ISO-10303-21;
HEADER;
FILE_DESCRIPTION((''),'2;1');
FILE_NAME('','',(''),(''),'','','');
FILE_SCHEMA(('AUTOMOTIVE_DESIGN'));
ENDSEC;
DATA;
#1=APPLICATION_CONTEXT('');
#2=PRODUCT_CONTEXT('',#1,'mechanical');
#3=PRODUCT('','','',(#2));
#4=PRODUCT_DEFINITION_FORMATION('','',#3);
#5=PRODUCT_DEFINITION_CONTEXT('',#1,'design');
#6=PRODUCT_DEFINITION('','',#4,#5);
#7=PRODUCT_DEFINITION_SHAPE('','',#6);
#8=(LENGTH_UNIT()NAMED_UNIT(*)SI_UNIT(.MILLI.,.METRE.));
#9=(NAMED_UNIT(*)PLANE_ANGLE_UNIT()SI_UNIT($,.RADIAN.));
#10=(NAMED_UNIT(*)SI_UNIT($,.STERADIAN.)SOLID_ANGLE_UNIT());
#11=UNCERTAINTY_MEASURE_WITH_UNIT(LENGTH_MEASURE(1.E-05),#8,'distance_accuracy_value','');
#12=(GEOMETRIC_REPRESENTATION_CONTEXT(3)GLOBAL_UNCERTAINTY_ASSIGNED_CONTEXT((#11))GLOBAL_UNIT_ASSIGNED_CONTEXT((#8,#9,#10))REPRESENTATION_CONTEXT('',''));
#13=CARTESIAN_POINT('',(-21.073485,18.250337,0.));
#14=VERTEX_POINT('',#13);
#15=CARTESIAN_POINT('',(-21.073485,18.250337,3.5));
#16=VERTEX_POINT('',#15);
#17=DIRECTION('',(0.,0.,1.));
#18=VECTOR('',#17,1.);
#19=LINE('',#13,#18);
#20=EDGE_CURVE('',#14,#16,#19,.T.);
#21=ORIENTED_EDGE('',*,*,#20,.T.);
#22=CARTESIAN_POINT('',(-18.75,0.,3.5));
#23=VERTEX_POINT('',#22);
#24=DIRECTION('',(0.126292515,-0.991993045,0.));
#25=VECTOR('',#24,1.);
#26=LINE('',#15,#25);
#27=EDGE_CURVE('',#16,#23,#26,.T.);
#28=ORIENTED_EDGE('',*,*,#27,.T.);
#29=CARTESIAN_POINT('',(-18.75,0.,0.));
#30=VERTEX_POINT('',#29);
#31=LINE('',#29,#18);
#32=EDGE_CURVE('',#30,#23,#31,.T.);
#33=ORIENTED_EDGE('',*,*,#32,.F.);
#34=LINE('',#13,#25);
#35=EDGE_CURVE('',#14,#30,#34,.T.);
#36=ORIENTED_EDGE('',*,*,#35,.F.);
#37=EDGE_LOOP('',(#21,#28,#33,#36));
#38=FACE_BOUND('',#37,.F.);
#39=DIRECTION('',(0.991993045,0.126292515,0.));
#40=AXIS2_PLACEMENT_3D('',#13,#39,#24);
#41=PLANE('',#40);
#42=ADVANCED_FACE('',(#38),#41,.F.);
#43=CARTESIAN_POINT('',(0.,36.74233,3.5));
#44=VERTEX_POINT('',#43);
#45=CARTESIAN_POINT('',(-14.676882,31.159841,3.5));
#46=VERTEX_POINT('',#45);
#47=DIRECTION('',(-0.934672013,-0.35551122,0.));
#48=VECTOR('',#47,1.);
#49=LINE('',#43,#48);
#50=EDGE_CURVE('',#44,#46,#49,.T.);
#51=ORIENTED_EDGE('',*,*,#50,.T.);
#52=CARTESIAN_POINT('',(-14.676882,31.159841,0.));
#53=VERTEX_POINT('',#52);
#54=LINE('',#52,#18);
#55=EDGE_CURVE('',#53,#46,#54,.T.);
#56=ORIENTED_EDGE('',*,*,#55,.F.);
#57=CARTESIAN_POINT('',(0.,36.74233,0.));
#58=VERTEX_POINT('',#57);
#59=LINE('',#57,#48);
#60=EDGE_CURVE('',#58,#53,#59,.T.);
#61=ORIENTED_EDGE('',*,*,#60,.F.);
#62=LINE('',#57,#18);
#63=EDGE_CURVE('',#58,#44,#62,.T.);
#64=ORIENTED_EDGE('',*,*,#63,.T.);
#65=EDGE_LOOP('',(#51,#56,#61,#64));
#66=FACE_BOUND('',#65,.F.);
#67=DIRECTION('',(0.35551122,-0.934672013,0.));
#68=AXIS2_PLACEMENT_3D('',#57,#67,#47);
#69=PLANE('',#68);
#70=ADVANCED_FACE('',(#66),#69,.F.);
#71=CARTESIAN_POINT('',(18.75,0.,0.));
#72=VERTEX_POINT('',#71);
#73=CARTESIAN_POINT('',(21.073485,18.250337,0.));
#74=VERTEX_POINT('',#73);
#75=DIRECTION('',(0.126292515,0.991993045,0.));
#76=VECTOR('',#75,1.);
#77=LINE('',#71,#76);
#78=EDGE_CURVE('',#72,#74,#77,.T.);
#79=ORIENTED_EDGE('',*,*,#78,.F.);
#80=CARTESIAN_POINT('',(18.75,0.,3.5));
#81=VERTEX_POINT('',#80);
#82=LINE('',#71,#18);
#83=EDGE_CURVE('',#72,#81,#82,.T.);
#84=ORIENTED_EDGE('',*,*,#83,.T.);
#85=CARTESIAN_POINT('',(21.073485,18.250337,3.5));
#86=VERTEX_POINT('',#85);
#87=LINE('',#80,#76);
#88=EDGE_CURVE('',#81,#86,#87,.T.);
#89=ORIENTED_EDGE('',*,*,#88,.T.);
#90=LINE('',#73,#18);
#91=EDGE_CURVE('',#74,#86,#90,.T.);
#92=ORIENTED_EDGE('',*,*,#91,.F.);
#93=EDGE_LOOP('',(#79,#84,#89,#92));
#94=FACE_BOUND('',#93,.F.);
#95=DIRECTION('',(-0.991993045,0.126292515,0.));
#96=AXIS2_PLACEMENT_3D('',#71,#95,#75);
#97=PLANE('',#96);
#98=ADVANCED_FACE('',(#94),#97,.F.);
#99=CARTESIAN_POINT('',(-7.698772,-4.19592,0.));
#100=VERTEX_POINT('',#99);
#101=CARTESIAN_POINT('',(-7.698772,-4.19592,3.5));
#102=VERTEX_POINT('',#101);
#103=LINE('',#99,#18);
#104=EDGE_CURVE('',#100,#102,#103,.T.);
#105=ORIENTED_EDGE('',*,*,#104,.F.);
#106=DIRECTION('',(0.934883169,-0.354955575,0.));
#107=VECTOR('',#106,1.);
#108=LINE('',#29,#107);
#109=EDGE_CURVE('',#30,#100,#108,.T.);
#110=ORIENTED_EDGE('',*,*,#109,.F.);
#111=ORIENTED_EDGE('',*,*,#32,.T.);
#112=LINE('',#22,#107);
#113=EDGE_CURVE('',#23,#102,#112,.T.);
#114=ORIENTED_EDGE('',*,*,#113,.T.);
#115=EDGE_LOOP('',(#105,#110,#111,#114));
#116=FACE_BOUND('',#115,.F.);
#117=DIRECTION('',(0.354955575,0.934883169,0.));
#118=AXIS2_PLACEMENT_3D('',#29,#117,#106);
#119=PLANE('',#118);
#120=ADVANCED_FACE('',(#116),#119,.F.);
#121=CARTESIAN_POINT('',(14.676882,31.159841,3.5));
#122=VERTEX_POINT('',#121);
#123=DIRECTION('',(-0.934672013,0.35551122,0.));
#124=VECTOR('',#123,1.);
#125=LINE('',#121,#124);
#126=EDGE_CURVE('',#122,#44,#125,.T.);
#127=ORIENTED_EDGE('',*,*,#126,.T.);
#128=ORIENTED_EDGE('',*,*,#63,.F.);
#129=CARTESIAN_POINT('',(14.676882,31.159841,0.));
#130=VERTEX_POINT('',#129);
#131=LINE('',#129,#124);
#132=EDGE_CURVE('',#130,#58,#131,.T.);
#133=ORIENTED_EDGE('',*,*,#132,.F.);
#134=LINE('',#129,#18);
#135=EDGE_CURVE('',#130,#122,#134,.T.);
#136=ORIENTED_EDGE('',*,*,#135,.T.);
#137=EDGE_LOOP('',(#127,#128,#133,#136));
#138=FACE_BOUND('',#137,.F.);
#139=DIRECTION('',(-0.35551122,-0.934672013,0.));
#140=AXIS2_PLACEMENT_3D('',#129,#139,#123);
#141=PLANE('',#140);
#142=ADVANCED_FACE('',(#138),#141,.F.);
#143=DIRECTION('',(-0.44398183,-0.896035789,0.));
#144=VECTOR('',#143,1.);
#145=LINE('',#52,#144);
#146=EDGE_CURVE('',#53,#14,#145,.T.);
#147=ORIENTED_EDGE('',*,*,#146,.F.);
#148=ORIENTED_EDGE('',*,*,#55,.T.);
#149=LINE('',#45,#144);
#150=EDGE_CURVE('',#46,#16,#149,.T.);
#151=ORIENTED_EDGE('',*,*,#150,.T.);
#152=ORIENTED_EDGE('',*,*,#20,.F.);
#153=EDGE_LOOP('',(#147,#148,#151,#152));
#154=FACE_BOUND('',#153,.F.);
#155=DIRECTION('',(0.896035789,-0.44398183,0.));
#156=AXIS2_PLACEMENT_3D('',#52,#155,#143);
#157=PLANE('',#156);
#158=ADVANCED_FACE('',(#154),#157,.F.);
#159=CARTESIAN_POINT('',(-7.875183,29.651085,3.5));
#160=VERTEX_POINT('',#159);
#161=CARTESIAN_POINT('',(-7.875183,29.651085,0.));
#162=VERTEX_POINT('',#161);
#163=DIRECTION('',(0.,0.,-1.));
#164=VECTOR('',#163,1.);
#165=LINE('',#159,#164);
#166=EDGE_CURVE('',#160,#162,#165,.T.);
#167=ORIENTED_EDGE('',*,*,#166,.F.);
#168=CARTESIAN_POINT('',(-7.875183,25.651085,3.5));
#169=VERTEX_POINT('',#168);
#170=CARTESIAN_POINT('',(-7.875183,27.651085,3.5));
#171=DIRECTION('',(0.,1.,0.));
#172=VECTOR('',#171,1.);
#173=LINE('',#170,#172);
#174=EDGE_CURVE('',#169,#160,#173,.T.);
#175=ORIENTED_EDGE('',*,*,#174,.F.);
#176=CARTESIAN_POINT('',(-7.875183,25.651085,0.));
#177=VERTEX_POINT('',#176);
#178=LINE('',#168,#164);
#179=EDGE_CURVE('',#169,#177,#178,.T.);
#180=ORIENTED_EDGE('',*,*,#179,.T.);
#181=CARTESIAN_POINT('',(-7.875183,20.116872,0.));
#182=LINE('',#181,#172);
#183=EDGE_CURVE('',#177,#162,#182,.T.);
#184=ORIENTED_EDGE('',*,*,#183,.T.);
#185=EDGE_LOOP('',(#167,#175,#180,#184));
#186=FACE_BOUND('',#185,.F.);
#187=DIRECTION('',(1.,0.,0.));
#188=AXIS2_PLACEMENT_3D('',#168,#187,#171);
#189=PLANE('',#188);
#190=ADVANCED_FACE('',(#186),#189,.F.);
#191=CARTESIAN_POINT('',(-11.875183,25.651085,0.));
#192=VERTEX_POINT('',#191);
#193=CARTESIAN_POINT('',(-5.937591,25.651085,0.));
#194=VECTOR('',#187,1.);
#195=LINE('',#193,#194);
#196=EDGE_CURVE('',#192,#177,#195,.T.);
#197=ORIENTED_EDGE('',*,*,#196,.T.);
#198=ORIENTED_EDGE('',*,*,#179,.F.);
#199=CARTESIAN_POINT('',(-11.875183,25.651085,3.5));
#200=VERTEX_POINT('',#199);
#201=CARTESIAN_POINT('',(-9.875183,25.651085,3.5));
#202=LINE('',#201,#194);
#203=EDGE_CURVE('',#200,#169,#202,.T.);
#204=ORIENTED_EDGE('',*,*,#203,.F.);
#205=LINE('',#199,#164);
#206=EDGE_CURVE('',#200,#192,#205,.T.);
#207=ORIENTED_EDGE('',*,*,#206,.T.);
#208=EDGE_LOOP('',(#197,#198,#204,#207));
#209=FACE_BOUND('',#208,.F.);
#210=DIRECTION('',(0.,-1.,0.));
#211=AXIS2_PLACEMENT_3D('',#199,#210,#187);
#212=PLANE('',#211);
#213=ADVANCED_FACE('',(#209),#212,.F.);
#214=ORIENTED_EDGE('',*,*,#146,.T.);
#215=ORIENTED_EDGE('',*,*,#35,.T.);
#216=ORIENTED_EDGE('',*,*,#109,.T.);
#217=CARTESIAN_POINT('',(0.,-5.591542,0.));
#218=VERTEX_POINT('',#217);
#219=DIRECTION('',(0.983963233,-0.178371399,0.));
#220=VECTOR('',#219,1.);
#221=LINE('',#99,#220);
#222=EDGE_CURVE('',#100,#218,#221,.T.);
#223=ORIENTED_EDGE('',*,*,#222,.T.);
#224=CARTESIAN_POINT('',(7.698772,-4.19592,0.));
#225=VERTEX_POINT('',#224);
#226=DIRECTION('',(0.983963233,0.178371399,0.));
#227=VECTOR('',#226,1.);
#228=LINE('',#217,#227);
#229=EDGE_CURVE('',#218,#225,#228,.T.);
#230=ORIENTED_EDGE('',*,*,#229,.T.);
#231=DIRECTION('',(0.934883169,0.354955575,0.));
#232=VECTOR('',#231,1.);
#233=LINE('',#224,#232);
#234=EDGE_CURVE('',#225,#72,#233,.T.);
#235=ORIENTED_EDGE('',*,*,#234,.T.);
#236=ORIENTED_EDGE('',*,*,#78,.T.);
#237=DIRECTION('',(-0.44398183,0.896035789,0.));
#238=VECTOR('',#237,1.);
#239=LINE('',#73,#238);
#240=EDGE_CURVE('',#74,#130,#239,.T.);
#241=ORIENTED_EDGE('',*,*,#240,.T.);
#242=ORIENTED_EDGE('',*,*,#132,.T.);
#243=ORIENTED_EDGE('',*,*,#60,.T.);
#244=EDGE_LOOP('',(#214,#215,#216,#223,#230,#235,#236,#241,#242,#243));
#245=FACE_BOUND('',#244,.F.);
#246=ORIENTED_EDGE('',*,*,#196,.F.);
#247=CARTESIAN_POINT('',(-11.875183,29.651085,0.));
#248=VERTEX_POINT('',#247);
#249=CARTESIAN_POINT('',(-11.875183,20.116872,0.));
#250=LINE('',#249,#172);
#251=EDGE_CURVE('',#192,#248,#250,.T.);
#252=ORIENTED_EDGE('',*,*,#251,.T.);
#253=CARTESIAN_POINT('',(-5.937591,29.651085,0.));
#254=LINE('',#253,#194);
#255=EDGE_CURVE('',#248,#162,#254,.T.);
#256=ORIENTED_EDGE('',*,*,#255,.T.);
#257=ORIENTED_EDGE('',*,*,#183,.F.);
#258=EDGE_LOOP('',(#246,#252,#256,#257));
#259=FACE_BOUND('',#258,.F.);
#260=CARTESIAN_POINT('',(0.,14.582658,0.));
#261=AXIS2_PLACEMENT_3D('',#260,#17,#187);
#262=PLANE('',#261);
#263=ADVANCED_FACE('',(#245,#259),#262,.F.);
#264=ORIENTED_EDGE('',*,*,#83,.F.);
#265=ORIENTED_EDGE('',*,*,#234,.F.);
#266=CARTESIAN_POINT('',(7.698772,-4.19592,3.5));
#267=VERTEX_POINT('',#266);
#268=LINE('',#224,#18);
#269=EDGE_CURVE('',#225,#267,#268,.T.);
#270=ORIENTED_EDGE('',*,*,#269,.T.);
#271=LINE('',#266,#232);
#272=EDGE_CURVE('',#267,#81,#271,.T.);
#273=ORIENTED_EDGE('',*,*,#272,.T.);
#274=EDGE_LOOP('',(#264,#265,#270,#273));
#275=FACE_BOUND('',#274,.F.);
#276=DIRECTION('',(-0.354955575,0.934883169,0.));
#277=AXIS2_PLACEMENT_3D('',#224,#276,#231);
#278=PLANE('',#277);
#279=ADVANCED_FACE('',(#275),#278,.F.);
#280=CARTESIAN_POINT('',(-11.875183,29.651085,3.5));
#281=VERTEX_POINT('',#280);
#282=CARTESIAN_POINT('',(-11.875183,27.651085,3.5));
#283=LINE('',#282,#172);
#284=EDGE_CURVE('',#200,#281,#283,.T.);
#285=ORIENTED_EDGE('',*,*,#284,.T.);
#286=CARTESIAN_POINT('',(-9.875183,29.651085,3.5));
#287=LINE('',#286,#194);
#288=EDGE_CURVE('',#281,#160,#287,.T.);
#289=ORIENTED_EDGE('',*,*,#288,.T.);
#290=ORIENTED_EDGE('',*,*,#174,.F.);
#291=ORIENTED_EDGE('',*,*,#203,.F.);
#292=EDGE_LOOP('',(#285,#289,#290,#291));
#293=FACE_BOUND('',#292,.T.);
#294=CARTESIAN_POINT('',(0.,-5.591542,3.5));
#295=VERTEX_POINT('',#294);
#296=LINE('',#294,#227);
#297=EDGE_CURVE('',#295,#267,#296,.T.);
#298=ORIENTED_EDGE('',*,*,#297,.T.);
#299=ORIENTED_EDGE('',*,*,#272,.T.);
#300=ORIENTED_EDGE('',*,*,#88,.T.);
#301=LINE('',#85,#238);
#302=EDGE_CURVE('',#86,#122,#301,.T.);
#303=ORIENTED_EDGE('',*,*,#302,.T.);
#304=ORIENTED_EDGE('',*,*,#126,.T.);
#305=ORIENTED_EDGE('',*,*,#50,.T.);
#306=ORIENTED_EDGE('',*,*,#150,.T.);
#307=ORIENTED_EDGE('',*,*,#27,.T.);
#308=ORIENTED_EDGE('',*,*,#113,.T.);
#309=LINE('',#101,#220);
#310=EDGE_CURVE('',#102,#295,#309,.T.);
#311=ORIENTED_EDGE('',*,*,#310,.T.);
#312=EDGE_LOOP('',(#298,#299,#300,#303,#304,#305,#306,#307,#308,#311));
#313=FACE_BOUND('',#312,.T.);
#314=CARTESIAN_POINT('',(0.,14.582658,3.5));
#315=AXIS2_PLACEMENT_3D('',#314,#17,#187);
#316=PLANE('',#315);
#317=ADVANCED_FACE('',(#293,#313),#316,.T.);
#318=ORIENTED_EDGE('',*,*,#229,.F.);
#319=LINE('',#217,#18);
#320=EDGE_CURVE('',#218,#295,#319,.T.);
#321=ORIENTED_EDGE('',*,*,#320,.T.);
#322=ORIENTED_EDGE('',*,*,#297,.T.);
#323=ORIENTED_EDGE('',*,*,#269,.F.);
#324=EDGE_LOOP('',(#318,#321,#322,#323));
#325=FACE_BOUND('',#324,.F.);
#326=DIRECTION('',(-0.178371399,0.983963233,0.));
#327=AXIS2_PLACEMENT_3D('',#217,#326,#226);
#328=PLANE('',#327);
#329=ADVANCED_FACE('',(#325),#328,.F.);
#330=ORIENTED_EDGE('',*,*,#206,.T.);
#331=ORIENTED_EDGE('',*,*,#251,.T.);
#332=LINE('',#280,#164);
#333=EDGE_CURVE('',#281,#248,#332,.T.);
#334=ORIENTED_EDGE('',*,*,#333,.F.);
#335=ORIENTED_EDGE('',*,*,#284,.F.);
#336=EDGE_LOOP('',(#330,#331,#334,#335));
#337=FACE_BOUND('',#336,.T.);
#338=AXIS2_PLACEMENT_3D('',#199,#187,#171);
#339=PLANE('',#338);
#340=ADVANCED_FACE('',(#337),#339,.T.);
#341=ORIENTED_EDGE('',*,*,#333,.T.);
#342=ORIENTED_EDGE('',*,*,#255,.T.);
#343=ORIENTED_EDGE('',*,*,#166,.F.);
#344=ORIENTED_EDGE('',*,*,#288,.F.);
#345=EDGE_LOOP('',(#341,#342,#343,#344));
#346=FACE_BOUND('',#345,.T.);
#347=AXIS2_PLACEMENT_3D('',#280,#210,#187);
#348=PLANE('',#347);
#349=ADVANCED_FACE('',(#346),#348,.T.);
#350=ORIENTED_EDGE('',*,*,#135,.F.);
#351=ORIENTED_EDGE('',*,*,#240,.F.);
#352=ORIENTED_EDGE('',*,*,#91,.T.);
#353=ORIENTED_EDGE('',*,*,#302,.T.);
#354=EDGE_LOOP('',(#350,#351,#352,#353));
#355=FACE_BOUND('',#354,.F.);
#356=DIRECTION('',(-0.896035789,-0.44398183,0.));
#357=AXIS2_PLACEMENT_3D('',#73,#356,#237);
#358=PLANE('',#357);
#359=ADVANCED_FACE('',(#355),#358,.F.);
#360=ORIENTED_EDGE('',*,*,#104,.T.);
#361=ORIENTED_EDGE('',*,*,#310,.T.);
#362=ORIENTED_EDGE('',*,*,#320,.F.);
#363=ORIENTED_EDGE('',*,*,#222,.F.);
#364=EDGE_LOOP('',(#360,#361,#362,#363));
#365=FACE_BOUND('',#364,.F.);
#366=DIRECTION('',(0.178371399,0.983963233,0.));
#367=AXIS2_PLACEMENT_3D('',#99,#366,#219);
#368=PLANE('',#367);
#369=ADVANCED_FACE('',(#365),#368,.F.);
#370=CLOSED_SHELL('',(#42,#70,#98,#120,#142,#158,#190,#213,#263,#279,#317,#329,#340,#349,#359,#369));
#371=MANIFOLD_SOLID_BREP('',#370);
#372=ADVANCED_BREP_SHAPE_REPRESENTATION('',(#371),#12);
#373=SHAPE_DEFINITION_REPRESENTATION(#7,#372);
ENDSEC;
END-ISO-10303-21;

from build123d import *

# Parameters (mm, degrees)
F2_DEPTH = 3.5
F3_W     = 4
F3_H     = 4
F4_DEPTH = 3.501


with BuildPart() as f2:
    # F1 (on Top) → F2 (new body)
    with BuildSketch(Plane.XY):
        Polygon((-21.073485, 18.250337), (-18.75, 0), (-7.698772, -4.19592), (0, -5.591542), (7.698772, -4.19592), (18.75, 0), (21.073485, 18.250337), (14.676882, 31.159841), (0, 36.74233), (-14.676882, 31.159841), align=None)
    extrude(amount=F2_DEPTH)

    # F3 (on face) → F4 (cut, through all)
    with BuildSketch(Plane.XY.offset(3.5)):
        with Locations((-9.875183, 27.651085)):
            Rectangle(F3_W, F3_H)
    extrude(amount=-F4_DEPTH, mode=Mode.SUBTRACT)


solid = f2.part
